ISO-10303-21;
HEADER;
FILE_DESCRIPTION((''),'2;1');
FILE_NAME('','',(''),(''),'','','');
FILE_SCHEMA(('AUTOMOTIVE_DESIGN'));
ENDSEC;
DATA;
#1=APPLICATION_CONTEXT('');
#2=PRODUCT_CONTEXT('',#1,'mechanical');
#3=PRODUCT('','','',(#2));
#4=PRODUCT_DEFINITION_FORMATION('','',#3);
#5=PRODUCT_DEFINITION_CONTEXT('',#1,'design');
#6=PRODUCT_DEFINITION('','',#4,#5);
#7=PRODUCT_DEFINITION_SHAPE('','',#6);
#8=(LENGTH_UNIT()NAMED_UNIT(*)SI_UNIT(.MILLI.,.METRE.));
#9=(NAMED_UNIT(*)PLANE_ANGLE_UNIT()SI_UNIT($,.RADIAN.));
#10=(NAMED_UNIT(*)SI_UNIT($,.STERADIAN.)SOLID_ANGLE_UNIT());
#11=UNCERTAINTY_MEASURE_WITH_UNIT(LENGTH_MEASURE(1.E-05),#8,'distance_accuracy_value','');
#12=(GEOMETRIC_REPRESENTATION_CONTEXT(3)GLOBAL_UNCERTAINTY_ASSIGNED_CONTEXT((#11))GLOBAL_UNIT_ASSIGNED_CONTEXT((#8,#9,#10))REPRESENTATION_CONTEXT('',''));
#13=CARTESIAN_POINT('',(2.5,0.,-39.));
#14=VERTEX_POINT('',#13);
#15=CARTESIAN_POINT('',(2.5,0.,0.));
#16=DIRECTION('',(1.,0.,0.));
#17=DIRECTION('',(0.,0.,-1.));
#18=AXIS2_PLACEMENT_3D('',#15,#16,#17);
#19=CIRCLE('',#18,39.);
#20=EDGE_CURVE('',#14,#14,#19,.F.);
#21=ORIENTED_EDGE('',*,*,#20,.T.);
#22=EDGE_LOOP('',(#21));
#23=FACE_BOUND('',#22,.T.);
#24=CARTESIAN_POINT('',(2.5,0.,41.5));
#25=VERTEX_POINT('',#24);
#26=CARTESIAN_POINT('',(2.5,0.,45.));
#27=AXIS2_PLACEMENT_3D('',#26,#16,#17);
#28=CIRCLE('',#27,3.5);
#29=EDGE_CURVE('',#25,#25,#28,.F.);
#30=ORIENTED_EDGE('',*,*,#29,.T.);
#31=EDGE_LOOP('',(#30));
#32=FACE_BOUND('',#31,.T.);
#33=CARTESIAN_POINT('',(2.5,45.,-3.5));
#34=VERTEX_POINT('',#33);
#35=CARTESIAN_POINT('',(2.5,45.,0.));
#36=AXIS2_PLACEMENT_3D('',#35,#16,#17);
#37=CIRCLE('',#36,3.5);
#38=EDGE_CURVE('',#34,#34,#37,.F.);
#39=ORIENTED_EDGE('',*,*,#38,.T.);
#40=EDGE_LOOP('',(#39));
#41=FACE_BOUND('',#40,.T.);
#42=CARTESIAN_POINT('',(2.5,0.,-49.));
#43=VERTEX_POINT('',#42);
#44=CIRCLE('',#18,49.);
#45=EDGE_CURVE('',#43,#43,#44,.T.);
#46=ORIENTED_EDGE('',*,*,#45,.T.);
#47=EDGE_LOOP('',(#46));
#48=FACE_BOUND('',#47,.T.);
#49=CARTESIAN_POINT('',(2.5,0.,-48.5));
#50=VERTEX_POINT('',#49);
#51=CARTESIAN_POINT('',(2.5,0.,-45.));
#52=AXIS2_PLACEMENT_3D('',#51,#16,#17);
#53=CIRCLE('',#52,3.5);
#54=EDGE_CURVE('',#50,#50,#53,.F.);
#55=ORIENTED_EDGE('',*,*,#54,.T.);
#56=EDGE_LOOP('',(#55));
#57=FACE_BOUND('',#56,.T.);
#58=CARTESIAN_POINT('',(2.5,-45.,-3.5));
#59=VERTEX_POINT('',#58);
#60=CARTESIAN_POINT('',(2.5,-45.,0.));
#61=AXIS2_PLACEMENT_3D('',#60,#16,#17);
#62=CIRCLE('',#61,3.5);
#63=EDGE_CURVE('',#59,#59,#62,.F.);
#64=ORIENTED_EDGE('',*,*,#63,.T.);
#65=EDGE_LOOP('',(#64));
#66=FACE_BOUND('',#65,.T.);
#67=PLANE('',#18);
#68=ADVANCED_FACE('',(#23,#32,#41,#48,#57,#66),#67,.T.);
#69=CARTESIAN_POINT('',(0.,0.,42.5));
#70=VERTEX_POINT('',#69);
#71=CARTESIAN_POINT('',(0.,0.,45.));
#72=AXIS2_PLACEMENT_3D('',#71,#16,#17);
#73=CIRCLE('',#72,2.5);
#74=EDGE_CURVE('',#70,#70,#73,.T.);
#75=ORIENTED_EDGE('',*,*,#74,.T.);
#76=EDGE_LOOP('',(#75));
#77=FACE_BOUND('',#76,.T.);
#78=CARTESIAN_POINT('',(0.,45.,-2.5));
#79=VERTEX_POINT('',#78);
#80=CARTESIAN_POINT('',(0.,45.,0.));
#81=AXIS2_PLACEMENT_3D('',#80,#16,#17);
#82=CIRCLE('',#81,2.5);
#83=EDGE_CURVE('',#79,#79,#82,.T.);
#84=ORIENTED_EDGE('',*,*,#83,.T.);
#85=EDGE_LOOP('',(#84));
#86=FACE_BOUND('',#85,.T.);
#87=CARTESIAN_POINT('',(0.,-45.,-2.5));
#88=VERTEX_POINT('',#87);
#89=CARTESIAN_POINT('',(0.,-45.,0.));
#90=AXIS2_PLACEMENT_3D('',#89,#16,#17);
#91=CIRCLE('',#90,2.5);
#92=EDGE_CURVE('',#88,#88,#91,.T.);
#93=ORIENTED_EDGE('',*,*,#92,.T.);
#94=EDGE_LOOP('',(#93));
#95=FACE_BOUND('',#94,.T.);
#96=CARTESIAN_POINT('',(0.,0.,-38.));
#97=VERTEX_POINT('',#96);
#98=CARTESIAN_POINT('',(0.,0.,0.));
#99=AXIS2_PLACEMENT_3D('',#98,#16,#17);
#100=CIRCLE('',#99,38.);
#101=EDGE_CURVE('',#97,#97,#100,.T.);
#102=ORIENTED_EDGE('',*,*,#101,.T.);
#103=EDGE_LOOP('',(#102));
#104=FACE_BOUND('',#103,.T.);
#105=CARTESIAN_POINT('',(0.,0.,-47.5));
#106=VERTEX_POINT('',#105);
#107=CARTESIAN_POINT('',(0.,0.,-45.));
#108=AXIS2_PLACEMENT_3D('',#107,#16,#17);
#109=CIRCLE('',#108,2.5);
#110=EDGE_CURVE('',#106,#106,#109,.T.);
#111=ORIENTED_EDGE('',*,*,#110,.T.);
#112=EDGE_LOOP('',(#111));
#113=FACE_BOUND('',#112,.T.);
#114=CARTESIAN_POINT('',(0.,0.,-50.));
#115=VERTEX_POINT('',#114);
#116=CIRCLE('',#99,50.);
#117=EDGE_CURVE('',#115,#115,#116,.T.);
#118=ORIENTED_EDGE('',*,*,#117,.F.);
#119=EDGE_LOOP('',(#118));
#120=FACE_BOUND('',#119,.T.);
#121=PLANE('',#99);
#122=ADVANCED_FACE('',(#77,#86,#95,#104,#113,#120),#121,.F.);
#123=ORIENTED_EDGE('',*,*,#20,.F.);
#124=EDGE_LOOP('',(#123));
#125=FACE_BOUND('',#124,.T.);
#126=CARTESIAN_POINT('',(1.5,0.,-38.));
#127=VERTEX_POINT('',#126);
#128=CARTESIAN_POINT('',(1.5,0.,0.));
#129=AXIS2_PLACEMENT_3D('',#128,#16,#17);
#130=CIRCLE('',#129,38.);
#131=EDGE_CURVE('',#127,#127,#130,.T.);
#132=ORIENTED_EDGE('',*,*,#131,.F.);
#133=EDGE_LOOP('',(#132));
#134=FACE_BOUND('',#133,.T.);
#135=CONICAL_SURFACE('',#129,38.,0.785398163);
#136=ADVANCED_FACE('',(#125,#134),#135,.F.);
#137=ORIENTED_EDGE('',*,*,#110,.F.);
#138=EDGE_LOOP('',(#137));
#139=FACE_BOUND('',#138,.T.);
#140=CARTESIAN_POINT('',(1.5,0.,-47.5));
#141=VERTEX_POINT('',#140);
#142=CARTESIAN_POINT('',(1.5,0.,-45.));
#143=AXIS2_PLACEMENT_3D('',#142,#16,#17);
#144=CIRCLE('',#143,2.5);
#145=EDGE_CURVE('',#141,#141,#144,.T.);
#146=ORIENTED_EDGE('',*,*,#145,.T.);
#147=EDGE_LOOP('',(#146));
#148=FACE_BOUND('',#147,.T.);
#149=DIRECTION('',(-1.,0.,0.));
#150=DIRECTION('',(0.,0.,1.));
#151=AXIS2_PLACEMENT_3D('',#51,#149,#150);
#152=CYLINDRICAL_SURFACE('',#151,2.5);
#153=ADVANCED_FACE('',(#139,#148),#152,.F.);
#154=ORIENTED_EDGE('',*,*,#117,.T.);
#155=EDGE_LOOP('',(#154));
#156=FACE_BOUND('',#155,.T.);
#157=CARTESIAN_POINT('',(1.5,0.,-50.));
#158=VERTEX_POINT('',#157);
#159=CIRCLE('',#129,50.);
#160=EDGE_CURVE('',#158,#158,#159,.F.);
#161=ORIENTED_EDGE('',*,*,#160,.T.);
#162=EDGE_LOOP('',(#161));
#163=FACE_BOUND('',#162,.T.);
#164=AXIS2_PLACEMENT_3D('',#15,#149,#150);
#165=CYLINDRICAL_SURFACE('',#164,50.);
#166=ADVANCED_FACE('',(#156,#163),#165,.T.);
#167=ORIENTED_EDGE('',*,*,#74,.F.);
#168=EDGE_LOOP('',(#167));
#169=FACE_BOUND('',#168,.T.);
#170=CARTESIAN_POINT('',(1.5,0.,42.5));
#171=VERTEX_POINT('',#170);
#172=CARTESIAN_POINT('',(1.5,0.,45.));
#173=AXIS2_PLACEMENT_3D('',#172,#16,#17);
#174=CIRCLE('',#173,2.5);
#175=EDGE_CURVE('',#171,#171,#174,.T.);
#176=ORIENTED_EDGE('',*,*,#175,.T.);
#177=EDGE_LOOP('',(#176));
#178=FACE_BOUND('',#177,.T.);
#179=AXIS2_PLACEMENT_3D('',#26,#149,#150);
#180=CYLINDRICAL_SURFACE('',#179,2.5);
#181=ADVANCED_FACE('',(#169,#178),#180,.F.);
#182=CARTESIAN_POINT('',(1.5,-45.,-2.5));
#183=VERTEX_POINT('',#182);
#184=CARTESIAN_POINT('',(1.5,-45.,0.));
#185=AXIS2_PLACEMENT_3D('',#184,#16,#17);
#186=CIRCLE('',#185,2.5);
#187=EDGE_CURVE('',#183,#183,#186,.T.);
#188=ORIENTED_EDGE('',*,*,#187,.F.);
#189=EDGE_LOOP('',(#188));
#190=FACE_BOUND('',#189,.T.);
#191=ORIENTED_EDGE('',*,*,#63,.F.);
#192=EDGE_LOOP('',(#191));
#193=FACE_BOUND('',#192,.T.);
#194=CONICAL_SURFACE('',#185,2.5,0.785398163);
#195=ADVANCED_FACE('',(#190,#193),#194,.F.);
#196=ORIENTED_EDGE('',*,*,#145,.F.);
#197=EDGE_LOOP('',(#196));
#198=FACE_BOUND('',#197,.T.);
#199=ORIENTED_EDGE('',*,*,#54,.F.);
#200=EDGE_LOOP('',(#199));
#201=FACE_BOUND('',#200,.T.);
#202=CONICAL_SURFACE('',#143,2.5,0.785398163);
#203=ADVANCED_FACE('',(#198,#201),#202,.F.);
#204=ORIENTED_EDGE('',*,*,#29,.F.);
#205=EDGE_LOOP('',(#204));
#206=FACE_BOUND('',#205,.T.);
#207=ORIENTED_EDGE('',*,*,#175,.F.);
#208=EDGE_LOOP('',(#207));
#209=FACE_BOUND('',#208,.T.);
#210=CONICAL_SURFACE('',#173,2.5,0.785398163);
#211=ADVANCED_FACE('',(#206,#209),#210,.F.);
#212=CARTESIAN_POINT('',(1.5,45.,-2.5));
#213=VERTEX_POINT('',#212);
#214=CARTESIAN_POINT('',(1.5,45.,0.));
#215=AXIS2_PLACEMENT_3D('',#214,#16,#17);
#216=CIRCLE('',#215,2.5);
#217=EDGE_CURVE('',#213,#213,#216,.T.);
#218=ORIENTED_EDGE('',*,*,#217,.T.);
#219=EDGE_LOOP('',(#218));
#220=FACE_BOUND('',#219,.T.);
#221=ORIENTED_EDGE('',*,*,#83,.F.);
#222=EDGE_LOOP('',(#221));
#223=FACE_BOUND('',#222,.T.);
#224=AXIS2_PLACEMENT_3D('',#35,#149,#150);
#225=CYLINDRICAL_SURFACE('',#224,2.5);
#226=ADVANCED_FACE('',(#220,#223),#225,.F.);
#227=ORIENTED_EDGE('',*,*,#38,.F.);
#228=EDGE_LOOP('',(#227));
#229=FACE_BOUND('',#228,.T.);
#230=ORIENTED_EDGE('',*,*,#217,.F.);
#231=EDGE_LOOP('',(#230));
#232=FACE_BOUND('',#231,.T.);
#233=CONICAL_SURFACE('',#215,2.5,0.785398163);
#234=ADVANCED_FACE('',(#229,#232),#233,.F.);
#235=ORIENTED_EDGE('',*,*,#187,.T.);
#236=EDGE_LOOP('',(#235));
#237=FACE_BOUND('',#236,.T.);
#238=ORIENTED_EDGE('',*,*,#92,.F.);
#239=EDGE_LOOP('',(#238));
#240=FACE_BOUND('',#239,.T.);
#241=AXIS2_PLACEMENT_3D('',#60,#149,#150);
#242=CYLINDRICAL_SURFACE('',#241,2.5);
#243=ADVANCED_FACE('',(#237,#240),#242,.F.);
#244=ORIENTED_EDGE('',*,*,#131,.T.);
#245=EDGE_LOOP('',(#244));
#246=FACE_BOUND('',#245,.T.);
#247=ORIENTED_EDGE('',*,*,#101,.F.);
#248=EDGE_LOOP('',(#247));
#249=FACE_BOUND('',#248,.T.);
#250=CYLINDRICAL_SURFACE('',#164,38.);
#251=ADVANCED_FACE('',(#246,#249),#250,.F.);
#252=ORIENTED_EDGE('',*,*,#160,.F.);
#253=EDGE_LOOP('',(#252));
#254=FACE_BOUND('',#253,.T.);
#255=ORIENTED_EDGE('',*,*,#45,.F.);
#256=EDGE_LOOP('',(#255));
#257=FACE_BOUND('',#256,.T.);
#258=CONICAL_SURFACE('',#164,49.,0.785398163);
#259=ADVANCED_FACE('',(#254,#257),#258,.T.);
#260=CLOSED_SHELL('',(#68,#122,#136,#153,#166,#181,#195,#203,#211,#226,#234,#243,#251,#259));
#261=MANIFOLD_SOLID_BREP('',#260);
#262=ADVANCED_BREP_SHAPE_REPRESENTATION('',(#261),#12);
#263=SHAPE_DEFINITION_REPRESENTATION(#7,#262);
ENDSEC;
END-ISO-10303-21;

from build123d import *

# Parameters (mm, degrees)
SKETCH1_R           = 50
SKETCH1_R_2         = 38
SKETCH1_R_3         = 2.5
BOSS_EXTRUDE1_DEPTH = 2.5
CHAMFER1_SIZE       = 1


with BuildPart() as part:
    # Sketch1 → Boss-Extrude1 (new body)
    with BuildSketch(Plane(origin=(0, 0, 0), x_dir=(0, 0, -1), z_dir=(1, 0, 0))):
        Circle(SKETCH1_R)
        Circle(SKETCH1_R_2, mode=Mode.SUBTRACT)
        with Locations((0, 45)):
            Circle(SKETCH1_R_3, mode=Mode.SUBTRACT)
        with Locations((45, 0)):
            Circle(SKETCH1_R_3, mode=Mode.SUBTRACT)
        with Locations((0, -45)):
            Circle(SKETCH1_R_3, mode=Mode.SUBTRACT)
        with Locations((-45, 0)):
            Circle(SKETCH1_R_3, mode=Mode.SUBTRACT)
    extrude(amount=BOSS_EXTRUDE1_DEPTH)

    # Chamfer1
    chamfer1_edges = [part.edges().sort_by_distance(p)[0] for p in [
        (2.5, 0, -42.5),
        (2.5, -45, 2.5),
        (2.5, 0, 47.5),
        (2.5, 0, 50),
        (2.5, 0, 38),
        (2.5, 45, 2.5),
    ]]
    chamfer(chamfer1_edges, length=CHAMFER1_SIZE)


solid = part.part
